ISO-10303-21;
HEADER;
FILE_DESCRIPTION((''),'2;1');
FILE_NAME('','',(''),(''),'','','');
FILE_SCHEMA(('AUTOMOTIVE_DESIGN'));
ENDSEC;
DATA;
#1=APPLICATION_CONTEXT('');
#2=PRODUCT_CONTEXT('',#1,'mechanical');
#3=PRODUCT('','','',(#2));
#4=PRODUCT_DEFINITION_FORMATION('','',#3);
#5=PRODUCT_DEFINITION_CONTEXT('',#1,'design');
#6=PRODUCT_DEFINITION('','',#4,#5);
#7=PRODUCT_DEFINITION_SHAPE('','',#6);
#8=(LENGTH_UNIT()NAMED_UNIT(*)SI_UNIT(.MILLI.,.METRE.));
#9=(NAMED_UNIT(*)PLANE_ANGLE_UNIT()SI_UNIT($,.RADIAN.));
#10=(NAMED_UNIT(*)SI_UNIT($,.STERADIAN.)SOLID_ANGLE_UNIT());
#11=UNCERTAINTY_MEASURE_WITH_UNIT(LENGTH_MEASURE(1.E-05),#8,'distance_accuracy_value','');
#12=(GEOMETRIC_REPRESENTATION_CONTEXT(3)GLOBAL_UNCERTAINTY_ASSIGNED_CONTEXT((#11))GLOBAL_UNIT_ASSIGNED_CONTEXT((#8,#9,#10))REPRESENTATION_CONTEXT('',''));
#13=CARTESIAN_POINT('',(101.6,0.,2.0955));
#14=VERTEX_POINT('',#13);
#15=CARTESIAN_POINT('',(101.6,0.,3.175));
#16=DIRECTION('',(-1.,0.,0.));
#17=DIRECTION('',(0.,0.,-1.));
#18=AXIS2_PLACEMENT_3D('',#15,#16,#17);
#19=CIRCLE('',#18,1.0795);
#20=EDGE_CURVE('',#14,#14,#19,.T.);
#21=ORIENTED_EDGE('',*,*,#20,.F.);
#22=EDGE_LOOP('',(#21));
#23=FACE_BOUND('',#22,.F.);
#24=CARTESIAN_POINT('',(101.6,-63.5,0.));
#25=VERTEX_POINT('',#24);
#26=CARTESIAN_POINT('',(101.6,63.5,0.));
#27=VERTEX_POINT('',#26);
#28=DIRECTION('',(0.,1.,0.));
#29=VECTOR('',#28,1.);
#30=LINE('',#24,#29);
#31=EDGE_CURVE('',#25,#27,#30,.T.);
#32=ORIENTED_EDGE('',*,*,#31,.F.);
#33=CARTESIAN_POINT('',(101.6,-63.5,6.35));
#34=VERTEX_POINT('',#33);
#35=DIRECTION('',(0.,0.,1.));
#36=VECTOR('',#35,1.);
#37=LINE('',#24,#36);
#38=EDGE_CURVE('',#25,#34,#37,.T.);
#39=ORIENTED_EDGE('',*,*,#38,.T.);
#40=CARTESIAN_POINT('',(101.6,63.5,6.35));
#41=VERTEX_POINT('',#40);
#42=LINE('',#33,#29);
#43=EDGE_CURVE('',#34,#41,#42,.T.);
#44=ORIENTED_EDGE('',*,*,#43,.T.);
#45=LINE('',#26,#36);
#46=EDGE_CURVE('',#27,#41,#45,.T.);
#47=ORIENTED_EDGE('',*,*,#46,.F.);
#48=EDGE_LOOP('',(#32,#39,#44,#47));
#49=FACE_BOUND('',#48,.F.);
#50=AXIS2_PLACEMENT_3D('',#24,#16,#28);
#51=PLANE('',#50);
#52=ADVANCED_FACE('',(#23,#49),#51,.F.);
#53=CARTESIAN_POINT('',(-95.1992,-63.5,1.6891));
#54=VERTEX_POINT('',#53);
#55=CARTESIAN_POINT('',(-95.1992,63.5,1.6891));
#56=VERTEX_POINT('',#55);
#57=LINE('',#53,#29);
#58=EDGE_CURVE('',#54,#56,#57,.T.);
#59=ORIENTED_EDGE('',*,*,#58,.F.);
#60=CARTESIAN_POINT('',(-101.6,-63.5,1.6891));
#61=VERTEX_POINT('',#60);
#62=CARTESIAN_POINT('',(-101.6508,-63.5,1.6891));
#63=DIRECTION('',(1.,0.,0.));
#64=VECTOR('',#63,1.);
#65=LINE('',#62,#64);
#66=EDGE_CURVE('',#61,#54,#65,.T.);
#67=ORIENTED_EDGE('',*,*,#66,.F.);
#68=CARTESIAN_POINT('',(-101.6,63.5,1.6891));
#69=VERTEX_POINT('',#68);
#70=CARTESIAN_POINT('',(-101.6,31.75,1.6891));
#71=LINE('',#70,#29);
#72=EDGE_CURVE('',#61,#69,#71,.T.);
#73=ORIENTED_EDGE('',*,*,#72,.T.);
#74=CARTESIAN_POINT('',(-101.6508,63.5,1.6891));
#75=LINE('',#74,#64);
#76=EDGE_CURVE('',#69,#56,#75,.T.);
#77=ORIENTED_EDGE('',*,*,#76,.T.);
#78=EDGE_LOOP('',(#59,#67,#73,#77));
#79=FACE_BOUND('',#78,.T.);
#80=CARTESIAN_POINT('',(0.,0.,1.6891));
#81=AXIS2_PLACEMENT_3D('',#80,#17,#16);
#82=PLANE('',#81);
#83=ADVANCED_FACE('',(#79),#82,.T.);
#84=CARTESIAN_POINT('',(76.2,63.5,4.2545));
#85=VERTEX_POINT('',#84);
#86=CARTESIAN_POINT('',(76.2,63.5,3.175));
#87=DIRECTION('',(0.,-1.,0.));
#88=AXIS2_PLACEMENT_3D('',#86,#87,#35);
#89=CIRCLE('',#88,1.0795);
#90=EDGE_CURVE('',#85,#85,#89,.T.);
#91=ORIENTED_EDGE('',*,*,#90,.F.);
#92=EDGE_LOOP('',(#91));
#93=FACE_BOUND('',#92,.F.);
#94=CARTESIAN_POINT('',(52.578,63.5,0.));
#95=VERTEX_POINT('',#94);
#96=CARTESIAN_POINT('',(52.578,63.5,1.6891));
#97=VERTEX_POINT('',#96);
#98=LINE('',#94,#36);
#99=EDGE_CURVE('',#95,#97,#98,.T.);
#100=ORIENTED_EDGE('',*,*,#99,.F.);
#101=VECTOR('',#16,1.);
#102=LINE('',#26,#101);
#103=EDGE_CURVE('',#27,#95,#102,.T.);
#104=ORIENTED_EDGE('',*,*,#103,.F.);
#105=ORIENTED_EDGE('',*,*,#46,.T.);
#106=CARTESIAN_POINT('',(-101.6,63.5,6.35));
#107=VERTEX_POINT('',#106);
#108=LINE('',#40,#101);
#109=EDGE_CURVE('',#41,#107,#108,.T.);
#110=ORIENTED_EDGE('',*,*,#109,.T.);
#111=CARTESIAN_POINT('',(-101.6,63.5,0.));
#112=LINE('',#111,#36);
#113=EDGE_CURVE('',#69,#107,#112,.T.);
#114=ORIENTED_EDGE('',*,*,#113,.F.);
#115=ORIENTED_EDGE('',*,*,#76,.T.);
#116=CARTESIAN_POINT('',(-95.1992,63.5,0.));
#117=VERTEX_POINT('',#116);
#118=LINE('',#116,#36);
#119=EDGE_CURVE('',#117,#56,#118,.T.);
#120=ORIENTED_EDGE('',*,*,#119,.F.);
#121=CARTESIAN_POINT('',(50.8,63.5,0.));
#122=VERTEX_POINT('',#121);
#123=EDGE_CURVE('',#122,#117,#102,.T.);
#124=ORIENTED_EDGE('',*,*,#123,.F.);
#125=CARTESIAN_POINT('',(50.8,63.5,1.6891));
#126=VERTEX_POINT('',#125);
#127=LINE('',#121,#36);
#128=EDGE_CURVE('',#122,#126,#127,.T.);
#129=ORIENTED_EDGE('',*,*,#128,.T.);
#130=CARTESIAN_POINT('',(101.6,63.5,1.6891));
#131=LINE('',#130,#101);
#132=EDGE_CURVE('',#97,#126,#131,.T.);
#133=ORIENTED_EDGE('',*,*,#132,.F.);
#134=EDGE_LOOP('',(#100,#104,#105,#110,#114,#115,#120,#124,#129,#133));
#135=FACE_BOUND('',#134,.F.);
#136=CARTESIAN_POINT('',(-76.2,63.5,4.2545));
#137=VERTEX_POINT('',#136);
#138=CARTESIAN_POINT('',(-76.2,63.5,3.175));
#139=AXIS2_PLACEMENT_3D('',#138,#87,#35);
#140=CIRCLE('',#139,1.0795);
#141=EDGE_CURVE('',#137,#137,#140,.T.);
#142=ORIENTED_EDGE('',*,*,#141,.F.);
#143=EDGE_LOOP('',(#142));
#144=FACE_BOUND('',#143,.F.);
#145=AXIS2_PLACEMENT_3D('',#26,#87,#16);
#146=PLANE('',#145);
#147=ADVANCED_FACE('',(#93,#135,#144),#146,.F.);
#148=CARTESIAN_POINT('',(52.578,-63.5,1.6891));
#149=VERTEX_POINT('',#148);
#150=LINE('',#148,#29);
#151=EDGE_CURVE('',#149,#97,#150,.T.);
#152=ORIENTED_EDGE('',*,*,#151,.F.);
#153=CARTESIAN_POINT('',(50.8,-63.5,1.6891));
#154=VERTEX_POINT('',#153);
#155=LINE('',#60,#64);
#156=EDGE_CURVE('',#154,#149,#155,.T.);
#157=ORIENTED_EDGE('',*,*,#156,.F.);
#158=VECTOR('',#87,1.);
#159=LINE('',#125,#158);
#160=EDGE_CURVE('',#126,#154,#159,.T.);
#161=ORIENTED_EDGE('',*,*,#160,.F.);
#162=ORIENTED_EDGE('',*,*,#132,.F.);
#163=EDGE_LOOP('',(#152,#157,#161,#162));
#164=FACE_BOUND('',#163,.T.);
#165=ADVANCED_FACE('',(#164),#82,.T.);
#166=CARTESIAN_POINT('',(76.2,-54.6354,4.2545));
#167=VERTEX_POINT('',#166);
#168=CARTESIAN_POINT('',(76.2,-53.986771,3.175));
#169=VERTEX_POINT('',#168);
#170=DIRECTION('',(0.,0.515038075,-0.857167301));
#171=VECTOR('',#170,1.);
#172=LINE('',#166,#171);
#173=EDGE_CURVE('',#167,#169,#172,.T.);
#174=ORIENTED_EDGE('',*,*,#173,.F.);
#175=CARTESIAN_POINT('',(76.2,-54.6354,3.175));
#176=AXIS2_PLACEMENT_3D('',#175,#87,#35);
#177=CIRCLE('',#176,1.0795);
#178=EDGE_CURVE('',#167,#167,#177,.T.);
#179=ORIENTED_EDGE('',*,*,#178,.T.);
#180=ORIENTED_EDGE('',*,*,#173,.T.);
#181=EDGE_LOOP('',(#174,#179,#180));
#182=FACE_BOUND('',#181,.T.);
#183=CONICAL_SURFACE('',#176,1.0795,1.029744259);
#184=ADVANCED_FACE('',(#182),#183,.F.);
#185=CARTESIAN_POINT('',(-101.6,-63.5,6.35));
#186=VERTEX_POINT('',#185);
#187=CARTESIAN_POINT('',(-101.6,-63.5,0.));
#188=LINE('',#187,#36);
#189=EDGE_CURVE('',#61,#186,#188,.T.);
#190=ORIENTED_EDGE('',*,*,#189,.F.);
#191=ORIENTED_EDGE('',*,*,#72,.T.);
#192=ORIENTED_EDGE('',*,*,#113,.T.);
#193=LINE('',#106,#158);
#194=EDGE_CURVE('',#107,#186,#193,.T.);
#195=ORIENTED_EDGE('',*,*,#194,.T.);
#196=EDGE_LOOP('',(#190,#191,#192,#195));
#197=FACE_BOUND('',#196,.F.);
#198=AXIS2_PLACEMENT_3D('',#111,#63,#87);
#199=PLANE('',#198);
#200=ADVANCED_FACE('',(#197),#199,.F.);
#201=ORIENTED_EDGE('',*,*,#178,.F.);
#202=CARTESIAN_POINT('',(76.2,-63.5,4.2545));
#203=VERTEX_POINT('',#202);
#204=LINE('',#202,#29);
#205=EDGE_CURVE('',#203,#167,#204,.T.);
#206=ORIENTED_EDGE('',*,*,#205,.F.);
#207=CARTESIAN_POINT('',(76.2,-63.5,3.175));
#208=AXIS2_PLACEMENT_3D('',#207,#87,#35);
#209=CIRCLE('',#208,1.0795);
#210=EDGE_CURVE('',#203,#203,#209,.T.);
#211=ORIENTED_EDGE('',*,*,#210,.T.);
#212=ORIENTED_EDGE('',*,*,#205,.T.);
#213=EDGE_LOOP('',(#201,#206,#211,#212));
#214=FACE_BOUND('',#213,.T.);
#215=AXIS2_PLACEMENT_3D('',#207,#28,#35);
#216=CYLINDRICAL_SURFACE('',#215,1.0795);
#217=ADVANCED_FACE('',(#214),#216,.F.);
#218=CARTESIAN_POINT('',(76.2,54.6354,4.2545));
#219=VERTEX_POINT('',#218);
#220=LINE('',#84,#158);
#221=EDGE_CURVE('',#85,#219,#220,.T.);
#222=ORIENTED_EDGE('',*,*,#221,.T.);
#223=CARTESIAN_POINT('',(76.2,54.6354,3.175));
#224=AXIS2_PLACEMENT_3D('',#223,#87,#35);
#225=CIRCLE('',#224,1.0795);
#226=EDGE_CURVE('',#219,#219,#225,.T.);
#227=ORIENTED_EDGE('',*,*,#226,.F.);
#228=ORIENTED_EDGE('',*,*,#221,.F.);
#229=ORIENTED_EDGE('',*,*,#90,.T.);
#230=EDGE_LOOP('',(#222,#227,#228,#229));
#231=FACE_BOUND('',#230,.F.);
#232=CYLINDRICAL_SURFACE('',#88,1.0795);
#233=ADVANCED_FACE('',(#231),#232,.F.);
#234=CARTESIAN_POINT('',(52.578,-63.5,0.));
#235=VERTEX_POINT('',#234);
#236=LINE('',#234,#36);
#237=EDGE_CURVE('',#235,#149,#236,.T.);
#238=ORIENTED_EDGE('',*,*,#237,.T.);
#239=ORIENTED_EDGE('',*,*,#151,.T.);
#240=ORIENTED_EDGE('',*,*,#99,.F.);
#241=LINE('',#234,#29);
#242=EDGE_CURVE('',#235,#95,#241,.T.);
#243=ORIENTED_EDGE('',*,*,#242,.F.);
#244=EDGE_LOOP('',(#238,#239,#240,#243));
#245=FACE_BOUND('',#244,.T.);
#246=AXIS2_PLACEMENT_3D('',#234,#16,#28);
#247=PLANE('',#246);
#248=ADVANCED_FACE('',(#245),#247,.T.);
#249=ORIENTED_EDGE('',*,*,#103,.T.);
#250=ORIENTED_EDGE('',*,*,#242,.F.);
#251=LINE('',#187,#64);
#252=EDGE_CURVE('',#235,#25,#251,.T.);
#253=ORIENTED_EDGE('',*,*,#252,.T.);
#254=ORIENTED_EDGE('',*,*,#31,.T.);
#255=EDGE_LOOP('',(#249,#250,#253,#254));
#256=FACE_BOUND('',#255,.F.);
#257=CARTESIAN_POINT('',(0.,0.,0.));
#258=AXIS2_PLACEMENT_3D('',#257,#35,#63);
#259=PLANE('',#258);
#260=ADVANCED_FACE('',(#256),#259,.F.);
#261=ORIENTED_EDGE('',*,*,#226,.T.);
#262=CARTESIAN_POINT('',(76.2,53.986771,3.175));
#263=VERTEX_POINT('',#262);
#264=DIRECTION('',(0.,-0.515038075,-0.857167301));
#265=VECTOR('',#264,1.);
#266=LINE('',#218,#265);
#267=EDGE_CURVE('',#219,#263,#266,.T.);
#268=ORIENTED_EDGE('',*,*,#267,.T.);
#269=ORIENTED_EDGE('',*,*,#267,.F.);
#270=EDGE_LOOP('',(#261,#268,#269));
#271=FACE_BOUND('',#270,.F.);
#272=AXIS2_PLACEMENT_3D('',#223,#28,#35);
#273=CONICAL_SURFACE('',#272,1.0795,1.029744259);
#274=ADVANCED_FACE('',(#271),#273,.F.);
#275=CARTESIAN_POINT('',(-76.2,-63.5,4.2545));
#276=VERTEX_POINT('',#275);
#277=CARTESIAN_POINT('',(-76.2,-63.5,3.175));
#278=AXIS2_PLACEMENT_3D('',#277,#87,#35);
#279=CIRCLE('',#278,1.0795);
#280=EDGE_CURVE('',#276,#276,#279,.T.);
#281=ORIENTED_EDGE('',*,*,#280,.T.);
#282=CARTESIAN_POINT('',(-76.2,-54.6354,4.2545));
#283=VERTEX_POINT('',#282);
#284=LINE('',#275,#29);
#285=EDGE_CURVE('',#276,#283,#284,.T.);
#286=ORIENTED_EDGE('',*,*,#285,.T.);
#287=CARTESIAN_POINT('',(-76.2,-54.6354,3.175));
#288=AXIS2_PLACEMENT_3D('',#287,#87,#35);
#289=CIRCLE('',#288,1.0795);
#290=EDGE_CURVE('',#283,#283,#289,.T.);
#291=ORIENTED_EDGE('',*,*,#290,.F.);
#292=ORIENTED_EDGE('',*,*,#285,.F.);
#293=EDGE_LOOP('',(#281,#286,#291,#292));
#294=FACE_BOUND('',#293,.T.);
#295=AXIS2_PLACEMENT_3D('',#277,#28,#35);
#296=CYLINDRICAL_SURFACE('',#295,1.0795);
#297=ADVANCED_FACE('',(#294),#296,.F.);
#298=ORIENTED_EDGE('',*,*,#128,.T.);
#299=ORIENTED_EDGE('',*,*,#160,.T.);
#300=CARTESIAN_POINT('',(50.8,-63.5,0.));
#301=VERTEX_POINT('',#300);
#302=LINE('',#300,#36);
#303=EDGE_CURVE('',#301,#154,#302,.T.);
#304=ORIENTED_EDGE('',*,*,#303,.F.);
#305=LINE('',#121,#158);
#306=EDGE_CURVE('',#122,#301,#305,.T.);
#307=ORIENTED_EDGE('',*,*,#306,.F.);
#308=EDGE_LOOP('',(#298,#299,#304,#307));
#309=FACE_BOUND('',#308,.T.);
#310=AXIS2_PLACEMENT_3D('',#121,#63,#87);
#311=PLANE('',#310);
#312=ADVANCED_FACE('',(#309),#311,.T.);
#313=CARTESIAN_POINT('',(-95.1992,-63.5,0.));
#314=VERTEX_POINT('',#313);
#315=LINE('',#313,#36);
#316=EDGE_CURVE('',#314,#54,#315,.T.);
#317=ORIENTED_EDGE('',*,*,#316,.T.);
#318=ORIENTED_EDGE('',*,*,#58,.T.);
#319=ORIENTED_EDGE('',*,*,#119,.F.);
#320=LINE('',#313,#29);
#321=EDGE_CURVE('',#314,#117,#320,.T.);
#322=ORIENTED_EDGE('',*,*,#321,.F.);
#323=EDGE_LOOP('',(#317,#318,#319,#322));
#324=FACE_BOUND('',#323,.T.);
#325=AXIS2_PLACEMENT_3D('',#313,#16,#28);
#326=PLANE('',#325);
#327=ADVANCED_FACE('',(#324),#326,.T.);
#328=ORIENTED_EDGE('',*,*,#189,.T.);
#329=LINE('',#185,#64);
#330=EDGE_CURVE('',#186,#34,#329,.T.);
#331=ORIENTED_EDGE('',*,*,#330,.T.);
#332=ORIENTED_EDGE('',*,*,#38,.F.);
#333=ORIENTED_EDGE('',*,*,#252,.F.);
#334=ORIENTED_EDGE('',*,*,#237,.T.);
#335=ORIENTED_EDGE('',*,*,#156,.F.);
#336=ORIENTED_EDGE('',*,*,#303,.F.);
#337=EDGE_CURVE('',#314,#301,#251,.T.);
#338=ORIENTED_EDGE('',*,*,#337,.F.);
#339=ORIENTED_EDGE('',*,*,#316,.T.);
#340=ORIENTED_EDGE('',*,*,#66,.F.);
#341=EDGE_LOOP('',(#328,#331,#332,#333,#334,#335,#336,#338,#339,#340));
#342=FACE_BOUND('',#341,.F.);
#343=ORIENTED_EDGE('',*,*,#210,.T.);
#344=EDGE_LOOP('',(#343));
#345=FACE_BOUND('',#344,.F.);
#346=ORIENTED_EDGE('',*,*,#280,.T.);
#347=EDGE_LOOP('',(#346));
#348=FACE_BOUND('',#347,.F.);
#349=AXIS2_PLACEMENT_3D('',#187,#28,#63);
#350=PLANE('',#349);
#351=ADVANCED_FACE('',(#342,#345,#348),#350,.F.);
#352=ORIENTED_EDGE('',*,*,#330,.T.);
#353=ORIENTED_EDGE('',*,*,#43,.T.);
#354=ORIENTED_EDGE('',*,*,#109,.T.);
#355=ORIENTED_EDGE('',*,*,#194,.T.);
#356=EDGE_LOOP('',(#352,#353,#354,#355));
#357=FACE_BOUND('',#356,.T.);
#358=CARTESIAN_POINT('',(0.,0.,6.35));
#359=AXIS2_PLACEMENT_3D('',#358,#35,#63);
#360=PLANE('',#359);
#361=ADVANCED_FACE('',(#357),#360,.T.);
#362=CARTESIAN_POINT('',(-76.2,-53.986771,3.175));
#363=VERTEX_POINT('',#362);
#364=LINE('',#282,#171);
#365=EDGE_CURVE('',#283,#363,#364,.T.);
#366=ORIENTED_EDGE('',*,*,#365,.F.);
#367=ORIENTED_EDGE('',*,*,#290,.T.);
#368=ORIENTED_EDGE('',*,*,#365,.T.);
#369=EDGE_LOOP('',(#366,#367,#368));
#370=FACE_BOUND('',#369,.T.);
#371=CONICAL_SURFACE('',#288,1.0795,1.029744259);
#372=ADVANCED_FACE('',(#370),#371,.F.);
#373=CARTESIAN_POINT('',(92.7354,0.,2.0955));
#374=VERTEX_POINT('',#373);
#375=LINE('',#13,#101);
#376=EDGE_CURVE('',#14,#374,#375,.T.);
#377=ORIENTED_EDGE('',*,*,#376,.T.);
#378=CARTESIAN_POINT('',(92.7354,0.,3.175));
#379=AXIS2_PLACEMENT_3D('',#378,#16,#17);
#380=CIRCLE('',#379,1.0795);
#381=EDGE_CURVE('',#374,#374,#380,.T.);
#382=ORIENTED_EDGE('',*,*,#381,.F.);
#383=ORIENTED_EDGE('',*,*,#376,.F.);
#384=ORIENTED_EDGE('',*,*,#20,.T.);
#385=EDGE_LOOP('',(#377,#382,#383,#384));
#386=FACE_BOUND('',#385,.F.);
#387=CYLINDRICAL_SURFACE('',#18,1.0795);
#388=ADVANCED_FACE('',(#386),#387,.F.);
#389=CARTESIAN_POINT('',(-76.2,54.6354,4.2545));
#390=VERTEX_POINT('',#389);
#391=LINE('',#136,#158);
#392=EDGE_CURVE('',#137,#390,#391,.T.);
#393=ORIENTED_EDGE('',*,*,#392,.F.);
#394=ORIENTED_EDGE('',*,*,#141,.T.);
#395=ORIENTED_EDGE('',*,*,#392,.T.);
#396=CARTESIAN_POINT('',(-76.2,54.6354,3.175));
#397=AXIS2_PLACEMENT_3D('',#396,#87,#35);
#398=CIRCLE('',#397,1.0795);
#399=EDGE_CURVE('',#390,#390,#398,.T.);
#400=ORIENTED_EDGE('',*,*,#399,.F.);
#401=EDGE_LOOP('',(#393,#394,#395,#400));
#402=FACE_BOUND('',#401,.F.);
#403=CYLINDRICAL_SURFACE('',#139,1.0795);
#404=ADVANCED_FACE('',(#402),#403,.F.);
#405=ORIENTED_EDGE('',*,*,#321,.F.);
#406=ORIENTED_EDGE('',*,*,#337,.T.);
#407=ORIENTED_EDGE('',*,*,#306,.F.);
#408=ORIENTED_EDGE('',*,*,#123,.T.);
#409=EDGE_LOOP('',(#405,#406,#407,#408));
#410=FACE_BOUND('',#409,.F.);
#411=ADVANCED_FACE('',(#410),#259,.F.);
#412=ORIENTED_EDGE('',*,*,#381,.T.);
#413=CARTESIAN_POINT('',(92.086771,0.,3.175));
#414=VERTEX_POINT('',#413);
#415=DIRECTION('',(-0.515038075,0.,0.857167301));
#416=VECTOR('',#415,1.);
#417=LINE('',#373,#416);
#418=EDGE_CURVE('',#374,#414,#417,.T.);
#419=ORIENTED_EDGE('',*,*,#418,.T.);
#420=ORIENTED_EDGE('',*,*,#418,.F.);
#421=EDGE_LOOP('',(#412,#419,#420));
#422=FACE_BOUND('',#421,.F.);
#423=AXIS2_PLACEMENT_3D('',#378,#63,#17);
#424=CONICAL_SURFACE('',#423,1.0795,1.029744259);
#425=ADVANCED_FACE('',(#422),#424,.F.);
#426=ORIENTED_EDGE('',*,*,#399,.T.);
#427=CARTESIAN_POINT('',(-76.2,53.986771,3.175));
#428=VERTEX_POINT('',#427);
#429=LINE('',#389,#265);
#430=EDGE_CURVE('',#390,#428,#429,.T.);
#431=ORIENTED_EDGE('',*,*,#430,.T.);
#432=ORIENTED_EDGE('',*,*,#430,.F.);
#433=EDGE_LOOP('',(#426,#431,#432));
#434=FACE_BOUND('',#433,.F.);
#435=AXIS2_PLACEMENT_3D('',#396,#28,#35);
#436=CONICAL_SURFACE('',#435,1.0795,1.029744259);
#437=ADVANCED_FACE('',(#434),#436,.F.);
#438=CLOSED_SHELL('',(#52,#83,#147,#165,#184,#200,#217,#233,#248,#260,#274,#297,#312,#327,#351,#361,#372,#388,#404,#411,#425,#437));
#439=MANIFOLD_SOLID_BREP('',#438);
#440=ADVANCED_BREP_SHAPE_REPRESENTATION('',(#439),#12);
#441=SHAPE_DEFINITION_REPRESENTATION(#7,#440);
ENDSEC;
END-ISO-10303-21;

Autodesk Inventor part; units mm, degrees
ref_plane "YZ Plane" through (0, 0, 0) normal (1, 0, 0) x (0, 1, 0)
ref_plane "XZ Plane" through (0, 0, 0) normal (0, 1, 0) x (-1, 0, 0)
ref_plane "XY Plane" through (0, 0, 0) normal (0, 0, 1) x (1, 0, 0)
sketch "Sketch1" plane through (0, 0, 0) normal (0, 0, 1) x (1, 0, 0)
  line L0 (-101.6, -63.5) -> (101.6, -63.5)
  line L1 (101.6, -63.5) -> (101.6, 63.5)
  line L2 (101.6, 63.5) -> (-101.6, 63.5)
  line L3 (-101.6, 63.5) -> (-101.6, -63.5)
  line L4 (-101.6, -63.5) -> (101.6, 63.5) construction
  line L5 (101.6, -63.5) -> (-101.6, 63.5) construction
  point P0 (0, 0)
  dimension "d0" = 203.2
  dimension "d1" = 127
extrude "Extrusion1" add sketch "Sketch1" along normal blind 6.35
sketch "Sketch16" plane through (0, 0, 0) normal (0, 0, -1) x (-1, 0, 0)
  line L0 (-101.6, 63.5) -> (101.6, 63.5) projected
  line L1 (101.6, -63.5) -> (-101.6, -63.5) projected
  line L2 (-52.578, 63.5) -> (-50.8, 63.5)
  line L3 (-50.8, 63.5) -> (-50.8, -63.5)
  line L4 (-50.8, -63.5) -> (-52.578, -63.5)
  line L5 (-52.578, -63.5) -> (-52.578, 63.5)
  line L6 (-101.6, -63.5) -> (-101.6, 63.5) projected
  point P0 (0, 0)
  dimension "d114" = 1.778
  dimension "d115" = 49.022
extrude "Extrusion9" cut sketch "Sketch16" against normal blind 1.6891 contours L0 L3 L1 L5
sketch "Sketch17" plane through (-101.6, 63.5, 6.35) normal (0, 1, 0) x (1, 0, 0)
  line L0 (154.178, 6.35) -> (154.178, 4.6609) projected
  line L1 (154.178, 4.6609) -> (152.4, 4.6609) projected
  line L2 (152.4, 4.6609) -> (152.4, 6.35) projected
  line L3 (152.4, 6.35) -> (0, 6.35) projected
  line L4 (0, 6.35) -> (0, 0) projected
  line L5 (203.2, 0) -> (0, 0) projected
  line L6 (203.2, 6.35) -> (203.2, 0) projected
  line L7 (203.2, 6.35) -> (154.178, 6.35) projected
  point P0 (101.6, 6.35)
  point P1 (177.8, 3.175)
  point P2 (25.4, 3.175)
  dimension "d118" = 25.4
  dimension "d119" = 25.4
  dimension "d120" = 3.175
  dimension "d121" = 3.175
hole "Hole7" at (76.2, 63.5, 3.175) at (-76.2, 63.5, 3.175) direction (0, -1, 0) diameter 2.159 depth 8.8646 tip angle 118
mirror "Mirror5" about plane through (0, 0, 0) normal (0, 1, 0) of "Hole7"
sketch "Sketch18" plane through (0, 0, 0) normal (0, 0, -1) x (-1, 0, 0)
  line L0 (-50.8, 63.5) -> (-50.8, -63.5) projected
  line L1 (101.6, -63.5) -> (-50.8, -63.5) projected
  line L2 (101.6, 63.5) -> (101.6, -63.5) projected
  line L3 (-50.8, 63.5) -> (101.6, 63.5) projected
  line L4 (-101.6, 63.5) -> (101.6, 63.5) projected
  line L5 (95.1992, 63.5) -> (101.6508, 63.5)
  line L6 (101.6508, 63.5) -> (101.6508, -63.5)
  line L7 (101.6508, -63.5) -> (95.1992, -63.5)
  line L8 (95.1992, -63.5) -> (95.1992, 63.5)
  point P0 (0, 0)
  dimension "d129" = 6.4516
  dimension "d130" = 152.4508
extrude "Extrusion10" cut sketch "Sketch18" against normal blind 1.6891 contours L3 L2 L1 L8 | L5 L6 L7 L2
sketch "Sketch19" plane through (101.6, -63.5, 0) normal (1, 0, 0) x (0, 0, -1)
  line L0 (0, 0) -> (0, 127) projected
  line L1 (0, 127) -> (-6.35, 127) projected
  line L2 (-6.35, 0) -> (-6.35, 127) projected
  line L3 (0, 0) -> (-6.35, 0) projected
  point P0 (0, 63.5)
  point P1 (-3.175, 63.5)
  dimension "d133" = 3.175
  dimension "d134" = 63.5
hole "Hole8" at (101.6, 0, 3.175) direction (-1, 0, 0) diameter 2.159 depth 8.8646 tip angle 118
equation "\"width\" = 127"
equation "\"depth\" = 203.2"
equation "\"aerogelHolderDepth\" = 49.022"
equation "\"caseThickness\" = 6.35"
equation "\"alignmentGrooveDepth\" = 1.5875"
equation "\"height\" = 127"
equation "\"mirrorAngle\" = 2.5deg"
equation "\"mirrorThickness\" = 3.175"
equation "\"fresnelThickness\" = 0.254"
equation "\"focalLength\" = 152.4"
equation "\"ior\" = 1.49"
equation "\"centerThickness\" = 1.27"
equation "\"fresnelAngle\" = 90deg"
equation "\"fresnelEffectiveDiameter\" = 152.4"
equation "\"alignmentGrooveClearance\" = 0.1016"
equation "\"frontPanelThickness\" = 1.5875"
equation "\"fresnelGrooveWidth\" = 1.778"
properties part number "topBottom" material "Aluminum 6061"
